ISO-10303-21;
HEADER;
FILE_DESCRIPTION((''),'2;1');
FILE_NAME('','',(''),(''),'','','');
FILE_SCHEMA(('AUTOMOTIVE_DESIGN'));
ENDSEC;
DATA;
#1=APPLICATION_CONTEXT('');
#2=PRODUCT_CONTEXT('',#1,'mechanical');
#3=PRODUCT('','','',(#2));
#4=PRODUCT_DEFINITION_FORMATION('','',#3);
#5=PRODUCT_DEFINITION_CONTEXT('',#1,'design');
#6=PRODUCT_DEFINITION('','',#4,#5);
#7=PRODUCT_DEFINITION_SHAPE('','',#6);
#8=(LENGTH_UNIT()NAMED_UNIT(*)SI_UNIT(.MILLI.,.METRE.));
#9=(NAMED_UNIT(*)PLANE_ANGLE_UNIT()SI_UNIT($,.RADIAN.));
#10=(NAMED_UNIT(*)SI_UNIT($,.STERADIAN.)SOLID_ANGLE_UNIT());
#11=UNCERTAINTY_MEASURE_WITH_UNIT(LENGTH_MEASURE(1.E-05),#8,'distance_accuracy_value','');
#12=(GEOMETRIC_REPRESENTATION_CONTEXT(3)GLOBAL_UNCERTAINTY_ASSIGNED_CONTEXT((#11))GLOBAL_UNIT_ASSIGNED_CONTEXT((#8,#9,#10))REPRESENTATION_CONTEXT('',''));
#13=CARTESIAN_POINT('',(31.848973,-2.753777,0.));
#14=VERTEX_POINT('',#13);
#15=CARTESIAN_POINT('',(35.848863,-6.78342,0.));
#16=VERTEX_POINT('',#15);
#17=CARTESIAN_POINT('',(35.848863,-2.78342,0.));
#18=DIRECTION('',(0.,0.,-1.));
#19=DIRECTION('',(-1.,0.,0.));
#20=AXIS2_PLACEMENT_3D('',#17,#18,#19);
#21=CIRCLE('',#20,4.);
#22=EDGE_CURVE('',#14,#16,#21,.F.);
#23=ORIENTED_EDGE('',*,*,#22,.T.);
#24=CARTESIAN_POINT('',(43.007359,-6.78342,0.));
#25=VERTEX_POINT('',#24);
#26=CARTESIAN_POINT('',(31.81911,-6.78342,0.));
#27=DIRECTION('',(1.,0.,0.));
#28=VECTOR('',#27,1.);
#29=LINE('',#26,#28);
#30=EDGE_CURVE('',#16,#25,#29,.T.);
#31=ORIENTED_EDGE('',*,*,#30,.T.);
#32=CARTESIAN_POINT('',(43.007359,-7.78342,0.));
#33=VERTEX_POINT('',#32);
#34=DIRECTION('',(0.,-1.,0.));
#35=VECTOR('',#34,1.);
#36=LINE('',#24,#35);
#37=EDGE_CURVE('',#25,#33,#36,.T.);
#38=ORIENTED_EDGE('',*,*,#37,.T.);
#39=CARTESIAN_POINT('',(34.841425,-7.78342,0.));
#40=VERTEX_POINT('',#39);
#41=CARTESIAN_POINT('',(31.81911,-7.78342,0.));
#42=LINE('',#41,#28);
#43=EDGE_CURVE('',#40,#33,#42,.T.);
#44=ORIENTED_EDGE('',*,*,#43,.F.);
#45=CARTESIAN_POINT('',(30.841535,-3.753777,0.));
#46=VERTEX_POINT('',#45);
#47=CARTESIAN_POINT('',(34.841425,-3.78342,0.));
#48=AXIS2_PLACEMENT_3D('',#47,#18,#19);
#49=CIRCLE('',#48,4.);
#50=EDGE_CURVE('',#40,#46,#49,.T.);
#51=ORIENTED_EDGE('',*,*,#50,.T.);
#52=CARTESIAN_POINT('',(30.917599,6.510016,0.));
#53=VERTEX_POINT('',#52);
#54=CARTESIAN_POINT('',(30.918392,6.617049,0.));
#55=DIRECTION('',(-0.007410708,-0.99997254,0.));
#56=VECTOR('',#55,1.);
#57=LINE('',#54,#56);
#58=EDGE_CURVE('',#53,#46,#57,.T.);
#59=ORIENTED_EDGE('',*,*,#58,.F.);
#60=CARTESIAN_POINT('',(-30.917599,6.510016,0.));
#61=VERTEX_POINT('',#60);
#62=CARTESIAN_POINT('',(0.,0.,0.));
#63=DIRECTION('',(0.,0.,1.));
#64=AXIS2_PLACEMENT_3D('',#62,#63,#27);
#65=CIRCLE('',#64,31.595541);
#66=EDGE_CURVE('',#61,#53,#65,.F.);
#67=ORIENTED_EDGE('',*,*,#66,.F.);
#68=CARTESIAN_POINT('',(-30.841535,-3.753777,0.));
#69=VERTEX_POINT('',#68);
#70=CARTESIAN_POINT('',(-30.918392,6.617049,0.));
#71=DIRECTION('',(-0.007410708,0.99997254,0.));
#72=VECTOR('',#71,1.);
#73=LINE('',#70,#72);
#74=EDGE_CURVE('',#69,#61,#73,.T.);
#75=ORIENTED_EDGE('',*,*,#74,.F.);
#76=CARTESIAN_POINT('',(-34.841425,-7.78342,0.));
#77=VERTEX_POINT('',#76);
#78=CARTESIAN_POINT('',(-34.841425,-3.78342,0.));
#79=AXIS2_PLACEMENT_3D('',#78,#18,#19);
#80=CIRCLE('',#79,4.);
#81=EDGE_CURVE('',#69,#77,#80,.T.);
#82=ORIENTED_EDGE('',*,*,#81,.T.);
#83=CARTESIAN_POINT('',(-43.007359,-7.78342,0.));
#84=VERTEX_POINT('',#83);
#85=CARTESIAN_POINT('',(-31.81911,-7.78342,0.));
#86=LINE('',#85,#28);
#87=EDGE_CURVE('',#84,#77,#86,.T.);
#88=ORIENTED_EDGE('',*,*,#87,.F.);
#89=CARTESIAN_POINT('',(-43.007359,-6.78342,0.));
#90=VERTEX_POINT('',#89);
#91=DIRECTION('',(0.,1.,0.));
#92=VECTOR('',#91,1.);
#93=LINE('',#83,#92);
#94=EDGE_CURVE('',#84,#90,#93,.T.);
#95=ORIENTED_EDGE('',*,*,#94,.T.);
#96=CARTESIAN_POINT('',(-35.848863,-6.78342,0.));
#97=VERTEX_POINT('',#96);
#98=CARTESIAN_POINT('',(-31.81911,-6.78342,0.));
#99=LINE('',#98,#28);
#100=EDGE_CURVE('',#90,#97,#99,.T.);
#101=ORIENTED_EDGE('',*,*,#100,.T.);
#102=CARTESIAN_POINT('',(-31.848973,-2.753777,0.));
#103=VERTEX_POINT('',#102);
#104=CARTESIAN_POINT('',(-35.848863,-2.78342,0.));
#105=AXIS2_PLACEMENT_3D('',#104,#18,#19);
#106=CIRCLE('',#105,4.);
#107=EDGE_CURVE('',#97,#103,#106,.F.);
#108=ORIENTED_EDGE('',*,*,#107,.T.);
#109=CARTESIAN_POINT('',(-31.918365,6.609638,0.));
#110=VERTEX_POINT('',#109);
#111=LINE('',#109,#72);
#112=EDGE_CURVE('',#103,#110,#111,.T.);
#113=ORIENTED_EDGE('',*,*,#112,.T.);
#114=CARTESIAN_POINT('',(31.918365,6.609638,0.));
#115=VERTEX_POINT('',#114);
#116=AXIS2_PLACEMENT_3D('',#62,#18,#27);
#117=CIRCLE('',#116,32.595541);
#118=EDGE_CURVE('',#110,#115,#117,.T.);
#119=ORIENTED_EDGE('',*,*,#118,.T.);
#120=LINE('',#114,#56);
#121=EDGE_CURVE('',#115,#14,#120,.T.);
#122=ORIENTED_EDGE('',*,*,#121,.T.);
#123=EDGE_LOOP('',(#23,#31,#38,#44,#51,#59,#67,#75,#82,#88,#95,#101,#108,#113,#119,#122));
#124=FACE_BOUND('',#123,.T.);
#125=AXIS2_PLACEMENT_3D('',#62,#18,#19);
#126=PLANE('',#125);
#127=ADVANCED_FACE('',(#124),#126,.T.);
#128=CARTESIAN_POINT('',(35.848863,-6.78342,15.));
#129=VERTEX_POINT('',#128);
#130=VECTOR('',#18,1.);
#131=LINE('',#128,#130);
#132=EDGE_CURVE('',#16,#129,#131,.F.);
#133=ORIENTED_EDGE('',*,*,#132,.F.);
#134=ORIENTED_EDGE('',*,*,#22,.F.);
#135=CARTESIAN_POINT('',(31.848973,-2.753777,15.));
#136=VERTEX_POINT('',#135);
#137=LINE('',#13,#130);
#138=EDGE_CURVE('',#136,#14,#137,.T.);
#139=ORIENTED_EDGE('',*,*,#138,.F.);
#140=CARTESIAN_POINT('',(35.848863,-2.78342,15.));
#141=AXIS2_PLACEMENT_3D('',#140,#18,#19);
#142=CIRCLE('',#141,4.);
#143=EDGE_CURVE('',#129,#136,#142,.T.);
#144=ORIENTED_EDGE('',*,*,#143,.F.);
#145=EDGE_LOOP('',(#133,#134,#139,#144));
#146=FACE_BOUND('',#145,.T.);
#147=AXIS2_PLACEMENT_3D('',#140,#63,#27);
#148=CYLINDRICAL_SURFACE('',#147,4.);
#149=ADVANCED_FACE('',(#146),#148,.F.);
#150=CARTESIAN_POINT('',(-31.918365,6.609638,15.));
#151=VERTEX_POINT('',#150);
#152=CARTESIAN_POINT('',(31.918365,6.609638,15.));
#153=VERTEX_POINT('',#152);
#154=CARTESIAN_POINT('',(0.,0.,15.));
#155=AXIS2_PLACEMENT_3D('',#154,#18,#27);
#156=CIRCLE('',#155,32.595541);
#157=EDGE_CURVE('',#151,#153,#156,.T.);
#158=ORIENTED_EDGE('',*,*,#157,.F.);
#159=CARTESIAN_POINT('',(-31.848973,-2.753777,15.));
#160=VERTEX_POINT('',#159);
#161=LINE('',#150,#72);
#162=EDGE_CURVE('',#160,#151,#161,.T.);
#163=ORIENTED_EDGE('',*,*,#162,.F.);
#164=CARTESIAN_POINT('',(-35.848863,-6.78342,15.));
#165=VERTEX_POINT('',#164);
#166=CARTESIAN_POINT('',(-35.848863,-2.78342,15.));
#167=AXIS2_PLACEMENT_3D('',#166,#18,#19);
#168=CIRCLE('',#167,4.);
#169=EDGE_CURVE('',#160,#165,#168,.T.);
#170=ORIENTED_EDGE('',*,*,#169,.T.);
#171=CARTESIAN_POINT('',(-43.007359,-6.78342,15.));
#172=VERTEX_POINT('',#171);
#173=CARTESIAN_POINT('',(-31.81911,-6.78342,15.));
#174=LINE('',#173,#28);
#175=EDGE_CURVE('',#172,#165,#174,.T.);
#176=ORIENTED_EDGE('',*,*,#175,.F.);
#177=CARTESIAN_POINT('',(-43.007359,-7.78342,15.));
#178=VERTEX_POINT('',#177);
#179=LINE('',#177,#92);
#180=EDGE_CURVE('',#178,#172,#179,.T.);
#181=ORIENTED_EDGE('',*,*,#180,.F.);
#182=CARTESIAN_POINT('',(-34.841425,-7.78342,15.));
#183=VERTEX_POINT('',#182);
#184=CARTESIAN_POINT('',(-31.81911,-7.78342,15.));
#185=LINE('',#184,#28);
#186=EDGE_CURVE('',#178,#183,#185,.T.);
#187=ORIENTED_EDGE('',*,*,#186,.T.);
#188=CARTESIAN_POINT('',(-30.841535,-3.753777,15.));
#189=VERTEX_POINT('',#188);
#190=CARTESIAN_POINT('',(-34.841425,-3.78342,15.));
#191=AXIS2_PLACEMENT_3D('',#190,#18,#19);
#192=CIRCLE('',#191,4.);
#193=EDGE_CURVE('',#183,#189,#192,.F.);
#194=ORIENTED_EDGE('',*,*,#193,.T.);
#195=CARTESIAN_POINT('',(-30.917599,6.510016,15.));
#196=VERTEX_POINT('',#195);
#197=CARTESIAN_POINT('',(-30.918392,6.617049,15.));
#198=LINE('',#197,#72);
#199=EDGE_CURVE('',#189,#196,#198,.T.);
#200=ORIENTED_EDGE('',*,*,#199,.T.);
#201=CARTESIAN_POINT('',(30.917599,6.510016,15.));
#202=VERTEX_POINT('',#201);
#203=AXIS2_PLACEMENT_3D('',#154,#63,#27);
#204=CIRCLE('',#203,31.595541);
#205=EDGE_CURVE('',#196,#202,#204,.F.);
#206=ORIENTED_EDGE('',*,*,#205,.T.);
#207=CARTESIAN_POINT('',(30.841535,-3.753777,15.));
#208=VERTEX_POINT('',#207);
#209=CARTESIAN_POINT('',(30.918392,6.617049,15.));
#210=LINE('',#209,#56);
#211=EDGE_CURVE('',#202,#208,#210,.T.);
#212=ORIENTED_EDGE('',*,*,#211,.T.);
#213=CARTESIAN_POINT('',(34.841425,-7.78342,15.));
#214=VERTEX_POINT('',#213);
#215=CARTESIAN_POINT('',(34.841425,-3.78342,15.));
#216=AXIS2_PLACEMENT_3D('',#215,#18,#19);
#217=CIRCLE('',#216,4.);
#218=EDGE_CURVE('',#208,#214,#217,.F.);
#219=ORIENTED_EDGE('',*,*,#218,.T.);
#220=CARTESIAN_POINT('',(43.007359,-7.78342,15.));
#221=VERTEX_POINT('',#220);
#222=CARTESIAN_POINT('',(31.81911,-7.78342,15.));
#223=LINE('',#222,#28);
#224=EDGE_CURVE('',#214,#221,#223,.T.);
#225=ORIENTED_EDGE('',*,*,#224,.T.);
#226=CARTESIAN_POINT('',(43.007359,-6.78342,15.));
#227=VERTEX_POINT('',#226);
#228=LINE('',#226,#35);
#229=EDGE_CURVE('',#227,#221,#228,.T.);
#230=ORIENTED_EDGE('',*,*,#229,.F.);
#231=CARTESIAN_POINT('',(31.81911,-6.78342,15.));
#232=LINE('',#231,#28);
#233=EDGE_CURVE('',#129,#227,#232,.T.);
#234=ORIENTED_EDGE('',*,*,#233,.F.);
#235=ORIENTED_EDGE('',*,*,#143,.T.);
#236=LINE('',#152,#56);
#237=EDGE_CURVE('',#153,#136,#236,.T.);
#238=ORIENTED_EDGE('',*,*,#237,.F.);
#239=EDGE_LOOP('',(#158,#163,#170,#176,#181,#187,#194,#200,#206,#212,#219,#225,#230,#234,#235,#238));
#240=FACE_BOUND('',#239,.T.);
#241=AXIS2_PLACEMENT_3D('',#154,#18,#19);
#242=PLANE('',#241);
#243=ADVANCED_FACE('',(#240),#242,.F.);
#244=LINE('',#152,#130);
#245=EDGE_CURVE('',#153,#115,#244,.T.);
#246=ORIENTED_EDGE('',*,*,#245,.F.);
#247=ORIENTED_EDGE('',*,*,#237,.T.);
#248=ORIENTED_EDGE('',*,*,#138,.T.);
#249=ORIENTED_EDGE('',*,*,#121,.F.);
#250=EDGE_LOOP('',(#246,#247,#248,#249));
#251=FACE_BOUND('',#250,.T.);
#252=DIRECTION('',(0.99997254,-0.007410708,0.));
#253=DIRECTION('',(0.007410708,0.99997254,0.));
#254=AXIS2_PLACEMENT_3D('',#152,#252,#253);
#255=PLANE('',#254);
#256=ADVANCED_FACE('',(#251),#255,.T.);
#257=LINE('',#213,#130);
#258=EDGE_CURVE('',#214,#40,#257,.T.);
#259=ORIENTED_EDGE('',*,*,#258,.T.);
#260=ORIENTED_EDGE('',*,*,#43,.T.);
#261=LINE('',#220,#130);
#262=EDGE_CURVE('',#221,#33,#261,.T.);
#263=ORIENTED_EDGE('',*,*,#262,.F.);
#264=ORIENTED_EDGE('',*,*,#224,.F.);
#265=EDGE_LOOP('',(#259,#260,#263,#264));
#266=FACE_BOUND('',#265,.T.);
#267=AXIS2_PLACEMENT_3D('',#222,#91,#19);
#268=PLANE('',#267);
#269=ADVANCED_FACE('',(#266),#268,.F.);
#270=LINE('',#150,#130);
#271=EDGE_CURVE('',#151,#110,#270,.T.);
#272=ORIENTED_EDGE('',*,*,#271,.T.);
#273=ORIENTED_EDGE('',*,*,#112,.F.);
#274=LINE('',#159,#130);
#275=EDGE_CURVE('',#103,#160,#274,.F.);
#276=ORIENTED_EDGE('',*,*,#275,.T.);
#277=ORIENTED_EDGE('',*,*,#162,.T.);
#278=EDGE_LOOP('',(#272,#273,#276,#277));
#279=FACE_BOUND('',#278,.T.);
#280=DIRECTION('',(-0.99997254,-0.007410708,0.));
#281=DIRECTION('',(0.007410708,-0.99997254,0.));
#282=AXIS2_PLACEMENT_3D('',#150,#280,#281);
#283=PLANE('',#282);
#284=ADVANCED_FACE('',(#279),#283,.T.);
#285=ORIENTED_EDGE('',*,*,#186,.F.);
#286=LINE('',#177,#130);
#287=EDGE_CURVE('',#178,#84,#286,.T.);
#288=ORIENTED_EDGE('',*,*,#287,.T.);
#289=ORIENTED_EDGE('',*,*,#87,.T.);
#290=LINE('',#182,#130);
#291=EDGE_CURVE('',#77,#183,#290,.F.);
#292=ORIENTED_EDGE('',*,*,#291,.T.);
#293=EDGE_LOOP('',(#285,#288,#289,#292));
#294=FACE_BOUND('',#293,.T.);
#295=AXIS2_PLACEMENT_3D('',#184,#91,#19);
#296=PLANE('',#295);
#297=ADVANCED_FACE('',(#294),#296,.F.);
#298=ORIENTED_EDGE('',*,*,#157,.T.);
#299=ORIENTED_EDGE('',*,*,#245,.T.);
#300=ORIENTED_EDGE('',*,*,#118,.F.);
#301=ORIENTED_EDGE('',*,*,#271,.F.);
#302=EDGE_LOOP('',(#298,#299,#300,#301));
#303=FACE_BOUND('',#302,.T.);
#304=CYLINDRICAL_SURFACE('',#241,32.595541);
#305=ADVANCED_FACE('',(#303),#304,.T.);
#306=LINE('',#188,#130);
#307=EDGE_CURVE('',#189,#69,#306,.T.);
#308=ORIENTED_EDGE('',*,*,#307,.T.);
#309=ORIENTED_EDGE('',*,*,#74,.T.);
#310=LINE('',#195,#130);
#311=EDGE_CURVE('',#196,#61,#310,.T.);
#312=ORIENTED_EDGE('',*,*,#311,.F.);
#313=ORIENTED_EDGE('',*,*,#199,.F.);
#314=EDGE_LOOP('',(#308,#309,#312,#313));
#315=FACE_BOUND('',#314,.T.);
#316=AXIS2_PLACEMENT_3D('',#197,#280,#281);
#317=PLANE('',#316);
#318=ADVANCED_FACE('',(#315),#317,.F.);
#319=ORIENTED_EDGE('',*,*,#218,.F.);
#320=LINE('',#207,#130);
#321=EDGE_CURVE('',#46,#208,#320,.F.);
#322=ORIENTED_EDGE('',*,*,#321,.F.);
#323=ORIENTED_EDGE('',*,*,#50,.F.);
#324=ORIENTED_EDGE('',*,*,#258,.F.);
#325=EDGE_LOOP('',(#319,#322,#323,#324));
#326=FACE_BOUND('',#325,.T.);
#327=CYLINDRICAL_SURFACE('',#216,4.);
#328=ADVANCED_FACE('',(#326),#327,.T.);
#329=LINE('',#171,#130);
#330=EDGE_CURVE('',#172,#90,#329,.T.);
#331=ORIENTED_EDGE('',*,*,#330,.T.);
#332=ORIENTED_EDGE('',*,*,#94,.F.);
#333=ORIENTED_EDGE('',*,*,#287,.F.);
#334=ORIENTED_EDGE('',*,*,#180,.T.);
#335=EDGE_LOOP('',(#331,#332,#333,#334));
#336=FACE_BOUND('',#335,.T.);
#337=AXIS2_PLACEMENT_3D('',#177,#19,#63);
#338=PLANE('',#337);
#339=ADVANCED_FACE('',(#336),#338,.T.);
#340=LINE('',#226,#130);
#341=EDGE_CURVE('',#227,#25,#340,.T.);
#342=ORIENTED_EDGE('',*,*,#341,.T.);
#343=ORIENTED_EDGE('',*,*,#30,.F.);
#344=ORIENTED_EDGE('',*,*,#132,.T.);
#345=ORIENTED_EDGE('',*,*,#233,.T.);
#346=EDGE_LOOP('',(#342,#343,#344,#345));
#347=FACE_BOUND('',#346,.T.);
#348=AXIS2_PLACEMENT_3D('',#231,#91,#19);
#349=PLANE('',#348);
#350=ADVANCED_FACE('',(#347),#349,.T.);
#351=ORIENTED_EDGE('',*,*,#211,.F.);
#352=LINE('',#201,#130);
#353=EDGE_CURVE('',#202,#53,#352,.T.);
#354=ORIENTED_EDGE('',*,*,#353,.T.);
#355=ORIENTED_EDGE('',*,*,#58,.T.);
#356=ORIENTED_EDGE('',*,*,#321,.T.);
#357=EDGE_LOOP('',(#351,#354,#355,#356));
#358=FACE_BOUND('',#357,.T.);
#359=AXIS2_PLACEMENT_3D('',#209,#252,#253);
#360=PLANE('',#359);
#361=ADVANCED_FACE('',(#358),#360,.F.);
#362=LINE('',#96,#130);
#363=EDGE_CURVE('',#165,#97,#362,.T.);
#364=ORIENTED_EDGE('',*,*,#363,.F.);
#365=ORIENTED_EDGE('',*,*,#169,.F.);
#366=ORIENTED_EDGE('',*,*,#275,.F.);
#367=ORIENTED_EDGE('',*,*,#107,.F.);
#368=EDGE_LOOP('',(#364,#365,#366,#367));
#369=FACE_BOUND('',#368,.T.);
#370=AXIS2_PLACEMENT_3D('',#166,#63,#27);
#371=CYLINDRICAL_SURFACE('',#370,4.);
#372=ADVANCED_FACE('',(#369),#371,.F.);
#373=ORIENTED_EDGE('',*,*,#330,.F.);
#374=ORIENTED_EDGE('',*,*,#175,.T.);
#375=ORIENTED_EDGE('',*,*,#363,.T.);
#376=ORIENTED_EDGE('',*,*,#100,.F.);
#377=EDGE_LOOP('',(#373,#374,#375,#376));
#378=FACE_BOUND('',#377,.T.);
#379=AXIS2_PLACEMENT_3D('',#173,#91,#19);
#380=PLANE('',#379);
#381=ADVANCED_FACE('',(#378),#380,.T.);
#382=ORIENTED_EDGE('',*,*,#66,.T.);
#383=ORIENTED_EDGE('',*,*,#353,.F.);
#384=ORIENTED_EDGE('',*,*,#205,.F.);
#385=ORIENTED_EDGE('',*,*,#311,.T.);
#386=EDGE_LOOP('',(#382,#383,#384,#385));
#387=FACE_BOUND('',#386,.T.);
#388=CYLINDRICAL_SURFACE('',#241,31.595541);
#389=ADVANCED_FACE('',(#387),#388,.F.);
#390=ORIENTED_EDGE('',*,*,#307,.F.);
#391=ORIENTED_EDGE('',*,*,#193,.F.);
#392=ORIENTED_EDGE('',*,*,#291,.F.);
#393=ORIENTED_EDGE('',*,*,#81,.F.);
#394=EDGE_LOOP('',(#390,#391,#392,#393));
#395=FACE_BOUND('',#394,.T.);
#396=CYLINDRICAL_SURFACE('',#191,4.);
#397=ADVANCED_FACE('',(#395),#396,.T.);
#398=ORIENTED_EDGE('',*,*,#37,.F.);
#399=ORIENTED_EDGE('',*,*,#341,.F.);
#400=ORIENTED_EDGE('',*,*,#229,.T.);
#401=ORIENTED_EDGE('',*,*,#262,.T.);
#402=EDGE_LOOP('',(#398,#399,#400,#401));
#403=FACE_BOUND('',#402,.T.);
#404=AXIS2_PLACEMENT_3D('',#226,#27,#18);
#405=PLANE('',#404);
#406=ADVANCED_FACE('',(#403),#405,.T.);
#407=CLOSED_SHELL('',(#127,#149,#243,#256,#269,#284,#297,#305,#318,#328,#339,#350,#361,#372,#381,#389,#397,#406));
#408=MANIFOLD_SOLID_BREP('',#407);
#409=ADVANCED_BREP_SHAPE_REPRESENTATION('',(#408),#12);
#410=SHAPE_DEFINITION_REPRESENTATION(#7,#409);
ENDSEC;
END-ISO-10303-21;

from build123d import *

# Parameters (mm, degrees)
EXTRUDE_1_DEPTH = 15
FILLET_1_R      = 4
FILLET_2_R      = 4
FILLET_3_R      = 4


with BuildPart() as part:
    # Эскиз8 → Вытянуть-Тонкостенный1 (new body)
    with BuildSketch(Plane.XY):
        with BuildLine():
            Line((43.007359098, -6.783419957), (31.819109934, -6.783419957))
            Line((31.819109934, -6.783419957), (31.9183647, 6.609638135))
            ThreePointArc((31.9183647, 6.609638135), (0, 32.595541435), (-31.9183647, 6.609638135))
            Line((-31.9183647, 6.609638135), (-31.819109934, -6.783419957))
            Line((-31.819109934, -6.783419957), (-43.007359098, -6.783419957))
            Line((-43.007359098, -6.783419957), (-43.007359098, -7.783419957))
            Line((-43.007359098, -7.783419957), (-30.811671563, -7.783419957))
            Line((-30.811671563, -7.783419957), (-30.917598952, 6.510016405))
            ThreePointArc((-30.917598952, 6.510016405), (0, 31.595541435), (30.917598952, 6.510016405))
            Line((30.917598952, 6.510016405), (30.811671563, -7.783419957))
            Line((30.811671563, -7.783419957), (43.007359098, -7.783419957))
            Line((43.007359098, -7.783419957), (43.007359098, -6.783419957))
        make_face()
    extrude(amount=EXTRUDE_1_DEPTH)

    # Скругление1
    fillet_1_edges = [part.edges().sort_by_distance(p)[0] for p in [
        (-31.819109934, -6.783419957, 7.5),
    ]]
    fillet(fillet_1_edges, radius=FILLET_1_R)

    # Скругление2
    fillet_2_edges = [part.edges().sort_by_distance(p)[0] for p in [
        (-30.811671563, -7.783419957, 7.5),
    ]]
    fillet(fillet_2_edges, radius=FILLET_2_R)

    # Скругление3
    fillet_3_edges = [part.edges().sort_by_distance(p)[0] for p in [
        (30.811671563, -7.783419957, 7.5),
        (31.819109934, -6.783419957, 7.5),
    ]]
    fillet(fillet_3_edges, radius=FILLET_3_R)


solid = part.part
